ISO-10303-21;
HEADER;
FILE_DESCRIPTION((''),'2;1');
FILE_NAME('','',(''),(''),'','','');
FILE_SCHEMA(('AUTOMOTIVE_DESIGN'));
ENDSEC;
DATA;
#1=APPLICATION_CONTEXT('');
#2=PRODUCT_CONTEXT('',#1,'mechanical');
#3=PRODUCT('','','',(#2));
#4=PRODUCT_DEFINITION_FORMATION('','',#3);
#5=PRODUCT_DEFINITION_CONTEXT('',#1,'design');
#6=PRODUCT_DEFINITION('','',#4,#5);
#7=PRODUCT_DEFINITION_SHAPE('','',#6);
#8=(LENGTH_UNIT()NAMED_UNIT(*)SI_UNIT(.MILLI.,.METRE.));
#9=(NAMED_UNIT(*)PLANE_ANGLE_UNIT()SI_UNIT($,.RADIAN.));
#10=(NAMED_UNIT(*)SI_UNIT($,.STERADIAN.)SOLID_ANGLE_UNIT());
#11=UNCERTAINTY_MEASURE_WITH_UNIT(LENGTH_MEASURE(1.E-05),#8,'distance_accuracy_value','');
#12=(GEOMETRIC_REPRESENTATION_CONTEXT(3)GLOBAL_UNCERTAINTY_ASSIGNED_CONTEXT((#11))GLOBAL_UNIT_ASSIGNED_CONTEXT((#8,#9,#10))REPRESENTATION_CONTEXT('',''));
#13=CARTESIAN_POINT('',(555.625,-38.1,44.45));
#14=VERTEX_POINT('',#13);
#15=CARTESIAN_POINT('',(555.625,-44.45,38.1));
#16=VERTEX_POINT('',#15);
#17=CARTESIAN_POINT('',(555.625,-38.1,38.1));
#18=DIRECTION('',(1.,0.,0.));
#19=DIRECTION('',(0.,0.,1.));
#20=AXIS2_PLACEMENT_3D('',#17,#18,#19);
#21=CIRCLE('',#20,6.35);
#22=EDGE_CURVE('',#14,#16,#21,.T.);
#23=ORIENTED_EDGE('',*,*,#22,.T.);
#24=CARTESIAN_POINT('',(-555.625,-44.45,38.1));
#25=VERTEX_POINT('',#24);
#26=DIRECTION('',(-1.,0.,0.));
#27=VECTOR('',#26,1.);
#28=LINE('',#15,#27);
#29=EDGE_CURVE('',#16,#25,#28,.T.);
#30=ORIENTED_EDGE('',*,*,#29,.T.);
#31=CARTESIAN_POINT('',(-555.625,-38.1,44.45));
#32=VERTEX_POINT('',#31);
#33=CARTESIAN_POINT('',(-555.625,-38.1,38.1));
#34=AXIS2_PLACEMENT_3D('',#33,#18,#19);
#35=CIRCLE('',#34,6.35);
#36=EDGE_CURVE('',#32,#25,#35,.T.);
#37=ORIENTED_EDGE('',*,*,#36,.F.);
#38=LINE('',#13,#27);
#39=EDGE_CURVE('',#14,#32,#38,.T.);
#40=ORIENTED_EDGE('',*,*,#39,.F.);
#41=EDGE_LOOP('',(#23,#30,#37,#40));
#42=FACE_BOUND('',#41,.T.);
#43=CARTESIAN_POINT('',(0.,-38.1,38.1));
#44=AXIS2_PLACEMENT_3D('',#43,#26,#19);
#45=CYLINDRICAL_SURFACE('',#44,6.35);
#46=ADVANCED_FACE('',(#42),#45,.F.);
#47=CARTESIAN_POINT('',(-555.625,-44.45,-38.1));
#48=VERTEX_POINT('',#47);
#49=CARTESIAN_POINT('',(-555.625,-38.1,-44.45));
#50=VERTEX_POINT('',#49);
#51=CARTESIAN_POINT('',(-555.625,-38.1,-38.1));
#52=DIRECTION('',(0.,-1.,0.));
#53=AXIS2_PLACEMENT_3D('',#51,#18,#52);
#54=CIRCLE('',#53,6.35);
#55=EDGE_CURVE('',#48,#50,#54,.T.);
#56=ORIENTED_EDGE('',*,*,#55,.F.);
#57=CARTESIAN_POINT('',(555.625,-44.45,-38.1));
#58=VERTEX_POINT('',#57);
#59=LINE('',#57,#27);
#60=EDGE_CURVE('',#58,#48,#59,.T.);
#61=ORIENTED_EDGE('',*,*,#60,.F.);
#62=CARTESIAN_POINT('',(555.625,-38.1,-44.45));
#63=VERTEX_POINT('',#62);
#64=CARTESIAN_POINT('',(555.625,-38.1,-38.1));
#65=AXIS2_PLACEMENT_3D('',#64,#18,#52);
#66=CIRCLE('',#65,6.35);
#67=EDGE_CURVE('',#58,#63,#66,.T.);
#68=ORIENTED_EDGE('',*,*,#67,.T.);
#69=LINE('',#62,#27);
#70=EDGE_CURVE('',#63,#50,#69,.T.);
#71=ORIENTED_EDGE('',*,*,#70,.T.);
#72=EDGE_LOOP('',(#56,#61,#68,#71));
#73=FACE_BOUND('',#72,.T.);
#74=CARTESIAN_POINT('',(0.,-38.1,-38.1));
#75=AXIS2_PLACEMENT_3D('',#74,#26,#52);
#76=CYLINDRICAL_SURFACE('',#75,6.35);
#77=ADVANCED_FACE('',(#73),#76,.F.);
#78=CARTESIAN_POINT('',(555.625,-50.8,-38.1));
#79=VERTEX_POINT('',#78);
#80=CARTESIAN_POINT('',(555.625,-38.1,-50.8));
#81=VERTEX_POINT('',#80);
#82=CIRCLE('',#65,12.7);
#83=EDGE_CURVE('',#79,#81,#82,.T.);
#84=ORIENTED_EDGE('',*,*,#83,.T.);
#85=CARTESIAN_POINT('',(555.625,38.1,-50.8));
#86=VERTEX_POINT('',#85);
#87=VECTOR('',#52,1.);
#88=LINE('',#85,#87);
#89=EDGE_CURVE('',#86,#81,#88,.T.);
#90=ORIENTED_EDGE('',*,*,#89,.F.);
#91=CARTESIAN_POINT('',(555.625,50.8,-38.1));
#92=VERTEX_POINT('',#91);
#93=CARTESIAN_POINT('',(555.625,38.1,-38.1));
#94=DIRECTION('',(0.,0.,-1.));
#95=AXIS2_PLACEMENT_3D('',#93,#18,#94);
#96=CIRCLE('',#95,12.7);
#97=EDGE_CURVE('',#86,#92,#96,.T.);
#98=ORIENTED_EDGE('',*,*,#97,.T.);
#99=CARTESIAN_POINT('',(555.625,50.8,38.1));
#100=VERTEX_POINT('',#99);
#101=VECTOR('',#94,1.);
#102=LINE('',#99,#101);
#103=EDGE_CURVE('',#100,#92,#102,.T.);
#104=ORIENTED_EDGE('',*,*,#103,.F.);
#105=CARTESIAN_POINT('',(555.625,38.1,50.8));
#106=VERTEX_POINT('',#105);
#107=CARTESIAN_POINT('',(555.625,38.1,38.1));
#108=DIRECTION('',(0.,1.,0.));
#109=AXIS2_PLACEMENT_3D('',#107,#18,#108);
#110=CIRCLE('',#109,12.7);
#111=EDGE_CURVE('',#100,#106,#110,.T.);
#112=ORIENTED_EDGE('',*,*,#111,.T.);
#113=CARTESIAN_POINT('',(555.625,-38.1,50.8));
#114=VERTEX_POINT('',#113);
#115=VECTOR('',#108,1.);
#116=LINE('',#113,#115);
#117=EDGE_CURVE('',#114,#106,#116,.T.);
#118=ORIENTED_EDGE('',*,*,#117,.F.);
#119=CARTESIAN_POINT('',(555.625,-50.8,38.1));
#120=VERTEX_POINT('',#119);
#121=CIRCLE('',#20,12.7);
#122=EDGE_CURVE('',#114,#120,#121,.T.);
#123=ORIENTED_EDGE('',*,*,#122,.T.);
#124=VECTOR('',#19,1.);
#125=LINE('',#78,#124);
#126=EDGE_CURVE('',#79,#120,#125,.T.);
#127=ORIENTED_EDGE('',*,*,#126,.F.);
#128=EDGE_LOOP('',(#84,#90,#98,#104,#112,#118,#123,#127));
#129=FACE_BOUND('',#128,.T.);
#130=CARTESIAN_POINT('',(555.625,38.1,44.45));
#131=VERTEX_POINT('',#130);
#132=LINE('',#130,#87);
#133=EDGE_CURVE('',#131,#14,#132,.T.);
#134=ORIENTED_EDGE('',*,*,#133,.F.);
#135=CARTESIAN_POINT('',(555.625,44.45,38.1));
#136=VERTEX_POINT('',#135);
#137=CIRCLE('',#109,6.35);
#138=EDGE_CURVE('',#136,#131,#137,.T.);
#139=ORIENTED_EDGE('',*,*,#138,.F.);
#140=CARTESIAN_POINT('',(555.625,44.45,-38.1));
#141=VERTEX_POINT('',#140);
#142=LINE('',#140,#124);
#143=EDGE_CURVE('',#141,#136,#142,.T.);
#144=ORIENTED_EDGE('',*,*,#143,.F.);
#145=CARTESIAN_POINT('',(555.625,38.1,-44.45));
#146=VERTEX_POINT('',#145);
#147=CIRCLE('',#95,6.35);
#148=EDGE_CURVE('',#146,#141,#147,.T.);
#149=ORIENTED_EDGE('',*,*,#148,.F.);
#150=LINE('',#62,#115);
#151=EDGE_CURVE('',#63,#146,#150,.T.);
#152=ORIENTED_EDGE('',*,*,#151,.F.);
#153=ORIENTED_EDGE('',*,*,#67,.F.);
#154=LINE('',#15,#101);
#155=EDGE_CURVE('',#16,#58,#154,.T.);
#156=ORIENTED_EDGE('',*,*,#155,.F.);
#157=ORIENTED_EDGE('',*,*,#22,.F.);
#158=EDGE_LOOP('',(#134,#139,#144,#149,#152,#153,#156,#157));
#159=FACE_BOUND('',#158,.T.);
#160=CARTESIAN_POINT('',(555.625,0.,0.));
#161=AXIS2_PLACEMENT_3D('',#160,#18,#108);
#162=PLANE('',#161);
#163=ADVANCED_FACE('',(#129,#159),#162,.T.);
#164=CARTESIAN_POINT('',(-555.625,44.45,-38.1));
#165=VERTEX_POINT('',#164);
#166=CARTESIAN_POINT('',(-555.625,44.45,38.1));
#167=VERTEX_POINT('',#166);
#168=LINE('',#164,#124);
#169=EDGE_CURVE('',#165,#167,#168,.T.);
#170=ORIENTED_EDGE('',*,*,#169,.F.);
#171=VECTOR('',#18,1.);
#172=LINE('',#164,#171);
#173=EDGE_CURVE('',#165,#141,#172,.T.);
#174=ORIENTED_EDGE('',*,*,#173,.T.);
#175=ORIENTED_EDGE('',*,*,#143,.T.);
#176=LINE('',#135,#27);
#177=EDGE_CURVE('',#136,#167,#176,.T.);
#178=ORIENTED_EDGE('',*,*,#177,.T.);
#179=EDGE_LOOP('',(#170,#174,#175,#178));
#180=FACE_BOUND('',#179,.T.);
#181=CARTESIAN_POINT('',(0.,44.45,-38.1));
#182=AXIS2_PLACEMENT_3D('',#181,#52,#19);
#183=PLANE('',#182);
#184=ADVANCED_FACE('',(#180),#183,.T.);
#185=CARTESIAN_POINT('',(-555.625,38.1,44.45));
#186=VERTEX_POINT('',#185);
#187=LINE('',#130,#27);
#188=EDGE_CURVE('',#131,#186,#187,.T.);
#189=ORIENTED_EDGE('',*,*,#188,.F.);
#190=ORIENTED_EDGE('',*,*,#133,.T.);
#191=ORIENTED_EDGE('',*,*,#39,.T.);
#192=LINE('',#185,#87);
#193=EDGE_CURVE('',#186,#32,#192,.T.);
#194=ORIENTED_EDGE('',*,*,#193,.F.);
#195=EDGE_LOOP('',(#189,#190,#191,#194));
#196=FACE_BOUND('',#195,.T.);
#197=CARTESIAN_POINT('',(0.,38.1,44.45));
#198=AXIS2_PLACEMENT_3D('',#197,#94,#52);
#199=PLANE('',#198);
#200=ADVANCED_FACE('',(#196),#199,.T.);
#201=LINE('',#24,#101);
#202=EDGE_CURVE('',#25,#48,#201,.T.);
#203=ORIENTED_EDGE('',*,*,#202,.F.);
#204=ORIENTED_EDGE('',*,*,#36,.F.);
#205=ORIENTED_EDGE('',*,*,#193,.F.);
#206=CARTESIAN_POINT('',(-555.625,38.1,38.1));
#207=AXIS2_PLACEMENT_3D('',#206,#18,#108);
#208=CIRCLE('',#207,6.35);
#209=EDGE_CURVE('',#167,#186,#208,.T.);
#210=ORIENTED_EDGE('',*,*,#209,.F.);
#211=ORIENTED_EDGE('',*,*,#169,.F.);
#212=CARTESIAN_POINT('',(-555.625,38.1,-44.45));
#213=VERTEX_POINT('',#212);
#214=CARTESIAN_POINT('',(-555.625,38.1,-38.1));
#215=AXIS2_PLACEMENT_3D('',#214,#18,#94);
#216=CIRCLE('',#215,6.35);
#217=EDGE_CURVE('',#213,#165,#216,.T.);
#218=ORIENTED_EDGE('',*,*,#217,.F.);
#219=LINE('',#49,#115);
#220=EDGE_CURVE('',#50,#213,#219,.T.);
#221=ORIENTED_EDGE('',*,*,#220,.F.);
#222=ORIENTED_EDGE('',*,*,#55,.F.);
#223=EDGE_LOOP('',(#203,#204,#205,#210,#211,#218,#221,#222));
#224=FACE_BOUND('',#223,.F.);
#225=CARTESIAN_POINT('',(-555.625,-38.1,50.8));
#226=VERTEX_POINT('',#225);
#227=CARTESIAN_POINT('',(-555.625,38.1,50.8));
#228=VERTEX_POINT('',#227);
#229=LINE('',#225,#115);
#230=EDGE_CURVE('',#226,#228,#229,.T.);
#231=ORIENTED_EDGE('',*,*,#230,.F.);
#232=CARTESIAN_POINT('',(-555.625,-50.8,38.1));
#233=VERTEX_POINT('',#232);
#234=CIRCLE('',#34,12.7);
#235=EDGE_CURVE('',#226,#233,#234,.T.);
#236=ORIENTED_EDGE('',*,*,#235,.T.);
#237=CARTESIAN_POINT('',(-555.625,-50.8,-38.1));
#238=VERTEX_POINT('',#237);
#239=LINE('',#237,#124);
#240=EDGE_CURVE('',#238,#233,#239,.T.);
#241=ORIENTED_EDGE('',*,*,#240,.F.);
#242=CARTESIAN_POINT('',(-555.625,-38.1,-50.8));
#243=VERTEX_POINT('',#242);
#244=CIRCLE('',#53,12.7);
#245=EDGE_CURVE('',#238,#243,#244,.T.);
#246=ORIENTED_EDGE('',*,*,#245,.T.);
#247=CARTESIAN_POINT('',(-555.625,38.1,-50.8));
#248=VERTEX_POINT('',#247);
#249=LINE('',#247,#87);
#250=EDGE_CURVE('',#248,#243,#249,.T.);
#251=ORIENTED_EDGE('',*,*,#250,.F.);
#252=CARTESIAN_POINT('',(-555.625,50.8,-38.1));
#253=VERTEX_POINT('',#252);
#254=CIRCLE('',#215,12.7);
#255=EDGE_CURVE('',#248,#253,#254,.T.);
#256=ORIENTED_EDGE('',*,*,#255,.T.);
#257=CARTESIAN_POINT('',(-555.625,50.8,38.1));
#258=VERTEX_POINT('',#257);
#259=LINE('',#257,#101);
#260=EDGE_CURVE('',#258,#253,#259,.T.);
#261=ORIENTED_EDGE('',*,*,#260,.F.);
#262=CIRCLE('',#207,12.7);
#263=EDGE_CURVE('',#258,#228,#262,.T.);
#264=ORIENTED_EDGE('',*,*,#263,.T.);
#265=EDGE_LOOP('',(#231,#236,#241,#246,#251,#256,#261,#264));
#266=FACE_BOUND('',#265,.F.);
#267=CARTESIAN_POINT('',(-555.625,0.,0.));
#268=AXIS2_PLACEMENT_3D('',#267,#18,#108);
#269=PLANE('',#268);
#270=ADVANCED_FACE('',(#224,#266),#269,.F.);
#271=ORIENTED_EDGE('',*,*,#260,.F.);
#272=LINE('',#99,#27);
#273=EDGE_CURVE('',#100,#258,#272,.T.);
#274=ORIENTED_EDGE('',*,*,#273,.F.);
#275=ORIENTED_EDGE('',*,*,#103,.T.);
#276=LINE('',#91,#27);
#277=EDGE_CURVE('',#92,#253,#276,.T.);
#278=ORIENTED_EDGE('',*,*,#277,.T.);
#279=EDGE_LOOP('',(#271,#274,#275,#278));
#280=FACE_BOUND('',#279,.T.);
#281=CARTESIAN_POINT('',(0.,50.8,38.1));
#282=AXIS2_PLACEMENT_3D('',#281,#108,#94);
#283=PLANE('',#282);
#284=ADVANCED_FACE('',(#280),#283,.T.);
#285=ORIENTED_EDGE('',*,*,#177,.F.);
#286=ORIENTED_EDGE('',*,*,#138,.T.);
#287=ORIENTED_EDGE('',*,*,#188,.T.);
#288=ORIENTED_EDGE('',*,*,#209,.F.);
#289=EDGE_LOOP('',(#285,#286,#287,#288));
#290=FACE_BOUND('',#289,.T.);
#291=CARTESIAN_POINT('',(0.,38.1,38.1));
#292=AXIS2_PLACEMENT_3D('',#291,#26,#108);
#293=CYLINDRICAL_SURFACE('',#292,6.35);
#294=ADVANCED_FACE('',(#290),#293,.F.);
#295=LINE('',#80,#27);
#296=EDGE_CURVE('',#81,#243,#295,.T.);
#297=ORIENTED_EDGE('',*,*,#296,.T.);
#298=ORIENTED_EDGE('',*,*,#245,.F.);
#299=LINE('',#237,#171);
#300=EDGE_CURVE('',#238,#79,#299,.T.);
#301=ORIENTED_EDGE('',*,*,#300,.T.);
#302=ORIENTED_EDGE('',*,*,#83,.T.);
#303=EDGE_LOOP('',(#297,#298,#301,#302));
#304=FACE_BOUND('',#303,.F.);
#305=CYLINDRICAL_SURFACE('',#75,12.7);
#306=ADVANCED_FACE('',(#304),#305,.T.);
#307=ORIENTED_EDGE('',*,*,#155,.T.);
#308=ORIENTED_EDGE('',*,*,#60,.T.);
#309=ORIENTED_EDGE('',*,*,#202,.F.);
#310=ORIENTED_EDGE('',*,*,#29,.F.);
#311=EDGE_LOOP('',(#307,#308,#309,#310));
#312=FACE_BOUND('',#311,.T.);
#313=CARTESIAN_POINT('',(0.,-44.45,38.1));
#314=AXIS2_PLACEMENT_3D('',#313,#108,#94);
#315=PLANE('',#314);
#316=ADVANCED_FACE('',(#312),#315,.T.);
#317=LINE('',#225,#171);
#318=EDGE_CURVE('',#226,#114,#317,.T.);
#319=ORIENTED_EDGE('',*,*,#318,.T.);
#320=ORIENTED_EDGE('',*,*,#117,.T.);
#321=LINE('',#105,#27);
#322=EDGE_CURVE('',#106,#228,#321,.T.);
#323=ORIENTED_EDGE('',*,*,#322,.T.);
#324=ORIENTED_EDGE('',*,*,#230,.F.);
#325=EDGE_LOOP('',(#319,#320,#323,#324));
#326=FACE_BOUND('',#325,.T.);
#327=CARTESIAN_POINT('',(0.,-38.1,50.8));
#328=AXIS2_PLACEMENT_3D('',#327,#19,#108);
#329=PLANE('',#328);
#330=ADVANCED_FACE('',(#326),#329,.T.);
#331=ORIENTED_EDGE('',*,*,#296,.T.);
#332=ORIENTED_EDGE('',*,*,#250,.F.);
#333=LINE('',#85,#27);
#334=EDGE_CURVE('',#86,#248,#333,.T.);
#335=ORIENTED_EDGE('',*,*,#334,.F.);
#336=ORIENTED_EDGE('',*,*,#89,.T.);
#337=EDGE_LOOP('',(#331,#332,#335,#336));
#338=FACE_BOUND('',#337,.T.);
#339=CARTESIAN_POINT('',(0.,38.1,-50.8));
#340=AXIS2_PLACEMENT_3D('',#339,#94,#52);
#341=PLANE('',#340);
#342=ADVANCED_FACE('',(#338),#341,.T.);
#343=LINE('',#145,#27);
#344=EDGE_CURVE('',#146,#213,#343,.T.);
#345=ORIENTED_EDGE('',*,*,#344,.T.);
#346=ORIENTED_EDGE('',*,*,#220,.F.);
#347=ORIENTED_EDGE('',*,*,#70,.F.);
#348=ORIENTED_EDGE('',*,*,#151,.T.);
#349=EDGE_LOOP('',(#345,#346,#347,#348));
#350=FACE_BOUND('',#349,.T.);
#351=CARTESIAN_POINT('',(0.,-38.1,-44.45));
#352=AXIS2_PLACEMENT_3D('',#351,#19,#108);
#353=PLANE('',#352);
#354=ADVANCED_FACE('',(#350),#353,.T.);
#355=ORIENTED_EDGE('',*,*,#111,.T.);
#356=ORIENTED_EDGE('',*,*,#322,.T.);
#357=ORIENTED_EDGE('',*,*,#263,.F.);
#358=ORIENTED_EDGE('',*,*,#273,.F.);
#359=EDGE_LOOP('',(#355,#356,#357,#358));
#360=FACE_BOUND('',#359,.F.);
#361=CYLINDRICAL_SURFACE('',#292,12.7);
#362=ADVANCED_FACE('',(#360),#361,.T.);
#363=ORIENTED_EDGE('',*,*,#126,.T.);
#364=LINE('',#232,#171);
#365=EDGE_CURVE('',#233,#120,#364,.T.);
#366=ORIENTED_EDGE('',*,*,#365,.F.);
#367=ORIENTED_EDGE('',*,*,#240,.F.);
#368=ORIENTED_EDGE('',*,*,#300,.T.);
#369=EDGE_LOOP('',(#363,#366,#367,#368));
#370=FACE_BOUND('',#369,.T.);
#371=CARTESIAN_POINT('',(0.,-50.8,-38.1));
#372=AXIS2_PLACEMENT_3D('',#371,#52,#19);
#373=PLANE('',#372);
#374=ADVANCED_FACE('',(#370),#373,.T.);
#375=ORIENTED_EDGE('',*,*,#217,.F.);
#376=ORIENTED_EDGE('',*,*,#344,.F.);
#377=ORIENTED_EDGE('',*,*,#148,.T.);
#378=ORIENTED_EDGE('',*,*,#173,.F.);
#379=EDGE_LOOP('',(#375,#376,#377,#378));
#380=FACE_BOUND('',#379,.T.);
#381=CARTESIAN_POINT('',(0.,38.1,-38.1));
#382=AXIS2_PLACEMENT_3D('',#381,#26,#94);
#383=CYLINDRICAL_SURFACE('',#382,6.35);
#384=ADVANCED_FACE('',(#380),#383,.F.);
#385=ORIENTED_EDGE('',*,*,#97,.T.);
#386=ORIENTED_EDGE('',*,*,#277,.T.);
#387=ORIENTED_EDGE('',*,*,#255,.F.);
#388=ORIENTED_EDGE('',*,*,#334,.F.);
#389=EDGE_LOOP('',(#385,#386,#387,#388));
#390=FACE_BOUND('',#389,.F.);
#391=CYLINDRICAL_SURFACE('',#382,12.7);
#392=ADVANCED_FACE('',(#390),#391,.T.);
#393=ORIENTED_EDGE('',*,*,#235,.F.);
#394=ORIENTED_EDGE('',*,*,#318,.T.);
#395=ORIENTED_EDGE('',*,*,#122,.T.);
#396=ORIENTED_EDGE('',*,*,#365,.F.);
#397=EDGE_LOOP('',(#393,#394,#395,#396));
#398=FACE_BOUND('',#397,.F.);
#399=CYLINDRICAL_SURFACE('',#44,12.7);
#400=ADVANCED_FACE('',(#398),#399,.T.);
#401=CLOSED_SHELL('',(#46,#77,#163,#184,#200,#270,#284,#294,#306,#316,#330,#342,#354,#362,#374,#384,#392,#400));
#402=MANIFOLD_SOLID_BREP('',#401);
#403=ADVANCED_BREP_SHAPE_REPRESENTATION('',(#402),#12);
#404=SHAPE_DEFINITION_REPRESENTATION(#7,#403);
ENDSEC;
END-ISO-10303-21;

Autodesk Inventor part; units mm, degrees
ref_plane "YZ Plane" through (0, 0, 0) normal (1, 0, 0) x (0, 1, 0)
ref_plane "XZ Plane" through (0, 0, 0) normal (0, 1, 0) x (-1, 0, 0)
ref_plane "XY Plane" through (0, 0, 0) normal (0, 0, 1) x (1, 0, 0)
sketch "Sketch5" plane through (0, 0, 0) normal (1, 0, 0) x (0, 1, 0)
  line L0 (-38.1, 50.8) -> (38.1, 50.8)
  line L1 (50.8, 38.1) -> (50.8, -38.1)
  line L2 (38.1, -50.8) -> (-38.1, -50.8)
  line L3 (-50.8, -38.1) -> (-50.8, 38.1)
  line L4 (-50.8, 50.8) -> (50.8, -50.8) construction
  line L5 (50.8, 50.8) -> (-50.8, -50.8) construction
  arc A0 (50.8, 38.1) -> (38.1, 50.8) centre (38.1, 38.1) ccw
  arc A1 (38.1, -50.8) -> (50.8, -38.1) centre (38.1, -38.1) ccw
  arc A2 (-50.8, -38.1) -> (-38.1, -50.8) centre (-38.1, -38.1) ccw
  arc A3 (-38.1, 50.8) -> (-50.8, 38.1) centre (-38.1, 38.1) ccw
  line L6 (44.45, -38.1) -> (44.45, 38.1)
  arc A4 (44.45, 38.1) -> (38.1, 44.45) centre (38.1, 38.1) ccw
  line L7 (38.1, 44.45) -> (-38.1, 44.45)
  arc A5 (-38.1, 44.45) -> (-44.45, 38.1) centre (-38.1, 38.1) ccw
  line L8 (-44.45, 38.1) -> (-44.45, -38.1)
  arc A6 (-44.45, -38.1) -> (-38.1, -44.45) centre (-38.1, -38.1) ccw
  line L9 (-38.1, -44.45) -> (38.1, -44.45)
  arc A7 (38.1, -44.45) -> (44.45, -38.1) centre (38.1, -38.1) ccw
  point P0 (0, 0)
  dimension "d6" = 101.6
  dimension "d7" = 101.6
  dimension "d8" = 12.7
  dimension "d9" = 6.35
extrude "Extrusion4" add sketch "Sketch5" along normal mid plane 1111.25
properties part number "Front Hitch Model-2_Base Tube-1" material "SS304"
